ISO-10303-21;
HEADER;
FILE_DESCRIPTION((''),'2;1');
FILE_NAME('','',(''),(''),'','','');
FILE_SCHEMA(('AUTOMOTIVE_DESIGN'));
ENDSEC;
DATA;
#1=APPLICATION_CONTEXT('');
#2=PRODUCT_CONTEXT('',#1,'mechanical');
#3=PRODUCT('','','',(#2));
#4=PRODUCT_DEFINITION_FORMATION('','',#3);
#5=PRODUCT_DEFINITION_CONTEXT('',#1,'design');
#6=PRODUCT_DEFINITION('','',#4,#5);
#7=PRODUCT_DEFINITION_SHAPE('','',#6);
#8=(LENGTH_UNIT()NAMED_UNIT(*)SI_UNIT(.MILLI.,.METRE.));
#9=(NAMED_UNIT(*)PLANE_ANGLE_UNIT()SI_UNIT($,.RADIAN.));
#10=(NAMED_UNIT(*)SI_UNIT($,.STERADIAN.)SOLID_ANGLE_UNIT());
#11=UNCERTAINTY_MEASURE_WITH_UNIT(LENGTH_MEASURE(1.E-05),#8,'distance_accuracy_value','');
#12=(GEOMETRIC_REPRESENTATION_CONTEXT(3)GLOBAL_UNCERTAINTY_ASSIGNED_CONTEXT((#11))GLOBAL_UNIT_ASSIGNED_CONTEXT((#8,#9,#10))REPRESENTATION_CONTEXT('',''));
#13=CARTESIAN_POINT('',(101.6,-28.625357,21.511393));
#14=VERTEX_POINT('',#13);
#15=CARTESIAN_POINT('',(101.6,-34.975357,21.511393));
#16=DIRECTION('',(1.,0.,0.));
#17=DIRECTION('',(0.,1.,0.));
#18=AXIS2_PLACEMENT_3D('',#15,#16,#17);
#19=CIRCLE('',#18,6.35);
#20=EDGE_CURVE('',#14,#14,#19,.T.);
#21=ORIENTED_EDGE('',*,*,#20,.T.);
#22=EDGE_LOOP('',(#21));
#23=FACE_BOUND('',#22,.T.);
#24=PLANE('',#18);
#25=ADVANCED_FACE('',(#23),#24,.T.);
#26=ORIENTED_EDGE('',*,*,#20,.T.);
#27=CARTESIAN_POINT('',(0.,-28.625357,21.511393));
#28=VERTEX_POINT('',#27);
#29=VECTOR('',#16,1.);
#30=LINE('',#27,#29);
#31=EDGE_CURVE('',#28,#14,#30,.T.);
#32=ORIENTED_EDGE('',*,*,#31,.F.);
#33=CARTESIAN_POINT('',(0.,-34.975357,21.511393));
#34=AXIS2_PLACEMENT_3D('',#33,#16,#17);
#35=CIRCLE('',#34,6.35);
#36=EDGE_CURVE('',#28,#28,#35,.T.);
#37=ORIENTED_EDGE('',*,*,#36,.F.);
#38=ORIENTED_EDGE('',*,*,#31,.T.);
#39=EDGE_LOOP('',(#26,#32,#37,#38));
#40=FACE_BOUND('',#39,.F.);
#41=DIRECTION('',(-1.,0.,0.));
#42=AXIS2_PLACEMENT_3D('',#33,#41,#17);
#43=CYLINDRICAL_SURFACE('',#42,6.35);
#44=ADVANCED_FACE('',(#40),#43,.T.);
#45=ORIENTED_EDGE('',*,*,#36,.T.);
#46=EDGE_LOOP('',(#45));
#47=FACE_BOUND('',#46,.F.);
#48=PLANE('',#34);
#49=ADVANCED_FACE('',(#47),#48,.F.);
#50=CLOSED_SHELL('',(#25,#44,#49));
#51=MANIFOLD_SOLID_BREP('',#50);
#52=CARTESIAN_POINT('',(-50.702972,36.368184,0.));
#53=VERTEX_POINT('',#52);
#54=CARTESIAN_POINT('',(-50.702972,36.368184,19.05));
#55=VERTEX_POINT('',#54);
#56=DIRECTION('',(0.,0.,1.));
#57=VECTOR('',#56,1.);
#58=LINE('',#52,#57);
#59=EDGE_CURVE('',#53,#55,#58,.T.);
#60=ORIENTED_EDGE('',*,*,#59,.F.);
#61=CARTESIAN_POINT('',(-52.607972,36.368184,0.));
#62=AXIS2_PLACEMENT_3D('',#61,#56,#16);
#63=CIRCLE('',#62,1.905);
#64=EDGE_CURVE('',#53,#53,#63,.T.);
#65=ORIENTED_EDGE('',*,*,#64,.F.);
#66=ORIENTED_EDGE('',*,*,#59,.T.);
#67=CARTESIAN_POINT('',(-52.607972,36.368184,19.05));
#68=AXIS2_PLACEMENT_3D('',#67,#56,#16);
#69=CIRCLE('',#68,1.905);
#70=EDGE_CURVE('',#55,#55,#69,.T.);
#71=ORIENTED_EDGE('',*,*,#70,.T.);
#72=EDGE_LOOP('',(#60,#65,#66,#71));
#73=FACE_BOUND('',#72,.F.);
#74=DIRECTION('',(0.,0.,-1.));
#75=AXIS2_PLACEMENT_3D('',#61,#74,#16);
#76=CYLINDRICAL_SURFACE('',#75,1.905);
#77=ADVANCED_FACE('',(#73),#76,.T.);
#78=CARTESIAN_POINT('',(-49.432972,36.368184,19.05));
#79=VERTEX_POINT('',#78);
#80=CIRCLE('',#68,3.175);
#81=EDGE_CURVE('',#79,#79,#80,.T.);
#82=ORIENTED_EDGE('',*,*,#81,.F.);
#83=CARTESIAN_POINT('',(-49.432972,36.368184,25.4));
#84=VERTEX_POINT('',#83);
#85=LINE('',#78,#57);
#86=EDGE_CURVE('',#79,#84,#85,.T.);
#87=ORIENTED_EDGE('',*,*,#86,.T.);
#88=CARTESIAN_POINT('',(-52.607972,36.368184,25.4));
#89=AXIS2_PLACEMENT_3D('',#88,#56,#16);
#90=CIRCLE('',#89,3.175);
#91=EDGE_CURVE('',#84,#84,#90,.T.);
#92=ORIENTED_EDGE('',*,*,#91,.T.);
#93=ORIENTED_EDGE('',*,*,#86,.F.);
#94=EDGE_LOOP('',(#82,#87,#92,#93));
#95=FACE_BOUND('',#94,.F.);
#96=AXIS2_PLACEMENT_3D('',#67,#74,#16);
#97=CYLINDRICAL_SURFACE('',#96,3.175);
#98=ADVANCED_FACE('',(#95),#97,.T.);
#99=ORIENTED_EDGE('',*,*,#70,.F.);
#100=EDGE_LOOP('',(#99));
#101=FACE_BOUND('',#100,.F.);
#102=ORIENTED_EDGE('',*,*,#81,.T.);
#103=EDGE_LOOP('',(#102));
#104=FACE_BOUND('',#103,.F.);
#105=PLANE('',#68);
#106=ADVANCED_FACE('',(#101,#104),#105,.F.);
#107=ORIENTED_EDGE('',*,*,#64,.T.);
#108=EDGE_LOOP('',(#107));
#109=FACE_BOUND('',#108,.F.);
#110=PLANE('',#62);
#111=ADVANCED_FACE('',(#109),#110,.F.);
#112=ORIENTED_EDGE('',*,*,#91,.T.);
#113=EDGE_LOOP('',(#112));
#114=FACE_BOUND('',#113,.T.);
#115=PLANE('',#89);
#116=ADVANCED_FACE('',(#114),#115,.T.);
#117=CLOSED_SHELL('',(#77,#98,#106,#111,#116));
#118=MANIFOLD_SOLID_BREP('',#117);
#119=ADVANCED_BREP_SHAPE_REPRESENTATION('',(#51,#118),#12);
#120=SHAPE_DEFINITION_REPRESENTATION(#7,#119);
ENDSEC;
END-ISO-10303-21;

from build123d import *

# Parameters (mm, degrees)
F0_R     = 6.35
F1_DEPTH = 101.6
F2_R     = 1.905
F3_DEPTH = 19.05
F4_R     = 3.175
F4_R_2   = 1.905
F5_DEPTH = 6.35


with BuildPart() as f1:
    # F0 (on Right) → F1 (new body)
    with BuildSketch(Plane.YZ):
        with Locations((-34.975357, 21.511393)):
            Circle(F0_R)
    extrude(amount=F1_DEPTH)


with BuildPart() as f3:
    # F2 (on Top) → F3 (new body)
    with BuildSketch(Plane.XY):
        with Locations((-52.607972, 36.368184)):
            Circle(F2_R)
    extrude(amount=F3_DEPTH)

    # F4 (on face) → F5 (join)
    with BuildSketch(Plane.XY.offset(19.05)):
        with Locations((-52.607972, 36.368184)):
            Circle(F4_R)
        with Locations((-52.607972, 36.368184)):
            Circle(F4_R_2, mode=Mode.SUBTRACT)
        with Locations((-52.607972, 36.368184)):
            Circle(F4_R_2)
    extrude(amount=F5_DEPTH)


solid = Compound([f1.part, f3.part])
